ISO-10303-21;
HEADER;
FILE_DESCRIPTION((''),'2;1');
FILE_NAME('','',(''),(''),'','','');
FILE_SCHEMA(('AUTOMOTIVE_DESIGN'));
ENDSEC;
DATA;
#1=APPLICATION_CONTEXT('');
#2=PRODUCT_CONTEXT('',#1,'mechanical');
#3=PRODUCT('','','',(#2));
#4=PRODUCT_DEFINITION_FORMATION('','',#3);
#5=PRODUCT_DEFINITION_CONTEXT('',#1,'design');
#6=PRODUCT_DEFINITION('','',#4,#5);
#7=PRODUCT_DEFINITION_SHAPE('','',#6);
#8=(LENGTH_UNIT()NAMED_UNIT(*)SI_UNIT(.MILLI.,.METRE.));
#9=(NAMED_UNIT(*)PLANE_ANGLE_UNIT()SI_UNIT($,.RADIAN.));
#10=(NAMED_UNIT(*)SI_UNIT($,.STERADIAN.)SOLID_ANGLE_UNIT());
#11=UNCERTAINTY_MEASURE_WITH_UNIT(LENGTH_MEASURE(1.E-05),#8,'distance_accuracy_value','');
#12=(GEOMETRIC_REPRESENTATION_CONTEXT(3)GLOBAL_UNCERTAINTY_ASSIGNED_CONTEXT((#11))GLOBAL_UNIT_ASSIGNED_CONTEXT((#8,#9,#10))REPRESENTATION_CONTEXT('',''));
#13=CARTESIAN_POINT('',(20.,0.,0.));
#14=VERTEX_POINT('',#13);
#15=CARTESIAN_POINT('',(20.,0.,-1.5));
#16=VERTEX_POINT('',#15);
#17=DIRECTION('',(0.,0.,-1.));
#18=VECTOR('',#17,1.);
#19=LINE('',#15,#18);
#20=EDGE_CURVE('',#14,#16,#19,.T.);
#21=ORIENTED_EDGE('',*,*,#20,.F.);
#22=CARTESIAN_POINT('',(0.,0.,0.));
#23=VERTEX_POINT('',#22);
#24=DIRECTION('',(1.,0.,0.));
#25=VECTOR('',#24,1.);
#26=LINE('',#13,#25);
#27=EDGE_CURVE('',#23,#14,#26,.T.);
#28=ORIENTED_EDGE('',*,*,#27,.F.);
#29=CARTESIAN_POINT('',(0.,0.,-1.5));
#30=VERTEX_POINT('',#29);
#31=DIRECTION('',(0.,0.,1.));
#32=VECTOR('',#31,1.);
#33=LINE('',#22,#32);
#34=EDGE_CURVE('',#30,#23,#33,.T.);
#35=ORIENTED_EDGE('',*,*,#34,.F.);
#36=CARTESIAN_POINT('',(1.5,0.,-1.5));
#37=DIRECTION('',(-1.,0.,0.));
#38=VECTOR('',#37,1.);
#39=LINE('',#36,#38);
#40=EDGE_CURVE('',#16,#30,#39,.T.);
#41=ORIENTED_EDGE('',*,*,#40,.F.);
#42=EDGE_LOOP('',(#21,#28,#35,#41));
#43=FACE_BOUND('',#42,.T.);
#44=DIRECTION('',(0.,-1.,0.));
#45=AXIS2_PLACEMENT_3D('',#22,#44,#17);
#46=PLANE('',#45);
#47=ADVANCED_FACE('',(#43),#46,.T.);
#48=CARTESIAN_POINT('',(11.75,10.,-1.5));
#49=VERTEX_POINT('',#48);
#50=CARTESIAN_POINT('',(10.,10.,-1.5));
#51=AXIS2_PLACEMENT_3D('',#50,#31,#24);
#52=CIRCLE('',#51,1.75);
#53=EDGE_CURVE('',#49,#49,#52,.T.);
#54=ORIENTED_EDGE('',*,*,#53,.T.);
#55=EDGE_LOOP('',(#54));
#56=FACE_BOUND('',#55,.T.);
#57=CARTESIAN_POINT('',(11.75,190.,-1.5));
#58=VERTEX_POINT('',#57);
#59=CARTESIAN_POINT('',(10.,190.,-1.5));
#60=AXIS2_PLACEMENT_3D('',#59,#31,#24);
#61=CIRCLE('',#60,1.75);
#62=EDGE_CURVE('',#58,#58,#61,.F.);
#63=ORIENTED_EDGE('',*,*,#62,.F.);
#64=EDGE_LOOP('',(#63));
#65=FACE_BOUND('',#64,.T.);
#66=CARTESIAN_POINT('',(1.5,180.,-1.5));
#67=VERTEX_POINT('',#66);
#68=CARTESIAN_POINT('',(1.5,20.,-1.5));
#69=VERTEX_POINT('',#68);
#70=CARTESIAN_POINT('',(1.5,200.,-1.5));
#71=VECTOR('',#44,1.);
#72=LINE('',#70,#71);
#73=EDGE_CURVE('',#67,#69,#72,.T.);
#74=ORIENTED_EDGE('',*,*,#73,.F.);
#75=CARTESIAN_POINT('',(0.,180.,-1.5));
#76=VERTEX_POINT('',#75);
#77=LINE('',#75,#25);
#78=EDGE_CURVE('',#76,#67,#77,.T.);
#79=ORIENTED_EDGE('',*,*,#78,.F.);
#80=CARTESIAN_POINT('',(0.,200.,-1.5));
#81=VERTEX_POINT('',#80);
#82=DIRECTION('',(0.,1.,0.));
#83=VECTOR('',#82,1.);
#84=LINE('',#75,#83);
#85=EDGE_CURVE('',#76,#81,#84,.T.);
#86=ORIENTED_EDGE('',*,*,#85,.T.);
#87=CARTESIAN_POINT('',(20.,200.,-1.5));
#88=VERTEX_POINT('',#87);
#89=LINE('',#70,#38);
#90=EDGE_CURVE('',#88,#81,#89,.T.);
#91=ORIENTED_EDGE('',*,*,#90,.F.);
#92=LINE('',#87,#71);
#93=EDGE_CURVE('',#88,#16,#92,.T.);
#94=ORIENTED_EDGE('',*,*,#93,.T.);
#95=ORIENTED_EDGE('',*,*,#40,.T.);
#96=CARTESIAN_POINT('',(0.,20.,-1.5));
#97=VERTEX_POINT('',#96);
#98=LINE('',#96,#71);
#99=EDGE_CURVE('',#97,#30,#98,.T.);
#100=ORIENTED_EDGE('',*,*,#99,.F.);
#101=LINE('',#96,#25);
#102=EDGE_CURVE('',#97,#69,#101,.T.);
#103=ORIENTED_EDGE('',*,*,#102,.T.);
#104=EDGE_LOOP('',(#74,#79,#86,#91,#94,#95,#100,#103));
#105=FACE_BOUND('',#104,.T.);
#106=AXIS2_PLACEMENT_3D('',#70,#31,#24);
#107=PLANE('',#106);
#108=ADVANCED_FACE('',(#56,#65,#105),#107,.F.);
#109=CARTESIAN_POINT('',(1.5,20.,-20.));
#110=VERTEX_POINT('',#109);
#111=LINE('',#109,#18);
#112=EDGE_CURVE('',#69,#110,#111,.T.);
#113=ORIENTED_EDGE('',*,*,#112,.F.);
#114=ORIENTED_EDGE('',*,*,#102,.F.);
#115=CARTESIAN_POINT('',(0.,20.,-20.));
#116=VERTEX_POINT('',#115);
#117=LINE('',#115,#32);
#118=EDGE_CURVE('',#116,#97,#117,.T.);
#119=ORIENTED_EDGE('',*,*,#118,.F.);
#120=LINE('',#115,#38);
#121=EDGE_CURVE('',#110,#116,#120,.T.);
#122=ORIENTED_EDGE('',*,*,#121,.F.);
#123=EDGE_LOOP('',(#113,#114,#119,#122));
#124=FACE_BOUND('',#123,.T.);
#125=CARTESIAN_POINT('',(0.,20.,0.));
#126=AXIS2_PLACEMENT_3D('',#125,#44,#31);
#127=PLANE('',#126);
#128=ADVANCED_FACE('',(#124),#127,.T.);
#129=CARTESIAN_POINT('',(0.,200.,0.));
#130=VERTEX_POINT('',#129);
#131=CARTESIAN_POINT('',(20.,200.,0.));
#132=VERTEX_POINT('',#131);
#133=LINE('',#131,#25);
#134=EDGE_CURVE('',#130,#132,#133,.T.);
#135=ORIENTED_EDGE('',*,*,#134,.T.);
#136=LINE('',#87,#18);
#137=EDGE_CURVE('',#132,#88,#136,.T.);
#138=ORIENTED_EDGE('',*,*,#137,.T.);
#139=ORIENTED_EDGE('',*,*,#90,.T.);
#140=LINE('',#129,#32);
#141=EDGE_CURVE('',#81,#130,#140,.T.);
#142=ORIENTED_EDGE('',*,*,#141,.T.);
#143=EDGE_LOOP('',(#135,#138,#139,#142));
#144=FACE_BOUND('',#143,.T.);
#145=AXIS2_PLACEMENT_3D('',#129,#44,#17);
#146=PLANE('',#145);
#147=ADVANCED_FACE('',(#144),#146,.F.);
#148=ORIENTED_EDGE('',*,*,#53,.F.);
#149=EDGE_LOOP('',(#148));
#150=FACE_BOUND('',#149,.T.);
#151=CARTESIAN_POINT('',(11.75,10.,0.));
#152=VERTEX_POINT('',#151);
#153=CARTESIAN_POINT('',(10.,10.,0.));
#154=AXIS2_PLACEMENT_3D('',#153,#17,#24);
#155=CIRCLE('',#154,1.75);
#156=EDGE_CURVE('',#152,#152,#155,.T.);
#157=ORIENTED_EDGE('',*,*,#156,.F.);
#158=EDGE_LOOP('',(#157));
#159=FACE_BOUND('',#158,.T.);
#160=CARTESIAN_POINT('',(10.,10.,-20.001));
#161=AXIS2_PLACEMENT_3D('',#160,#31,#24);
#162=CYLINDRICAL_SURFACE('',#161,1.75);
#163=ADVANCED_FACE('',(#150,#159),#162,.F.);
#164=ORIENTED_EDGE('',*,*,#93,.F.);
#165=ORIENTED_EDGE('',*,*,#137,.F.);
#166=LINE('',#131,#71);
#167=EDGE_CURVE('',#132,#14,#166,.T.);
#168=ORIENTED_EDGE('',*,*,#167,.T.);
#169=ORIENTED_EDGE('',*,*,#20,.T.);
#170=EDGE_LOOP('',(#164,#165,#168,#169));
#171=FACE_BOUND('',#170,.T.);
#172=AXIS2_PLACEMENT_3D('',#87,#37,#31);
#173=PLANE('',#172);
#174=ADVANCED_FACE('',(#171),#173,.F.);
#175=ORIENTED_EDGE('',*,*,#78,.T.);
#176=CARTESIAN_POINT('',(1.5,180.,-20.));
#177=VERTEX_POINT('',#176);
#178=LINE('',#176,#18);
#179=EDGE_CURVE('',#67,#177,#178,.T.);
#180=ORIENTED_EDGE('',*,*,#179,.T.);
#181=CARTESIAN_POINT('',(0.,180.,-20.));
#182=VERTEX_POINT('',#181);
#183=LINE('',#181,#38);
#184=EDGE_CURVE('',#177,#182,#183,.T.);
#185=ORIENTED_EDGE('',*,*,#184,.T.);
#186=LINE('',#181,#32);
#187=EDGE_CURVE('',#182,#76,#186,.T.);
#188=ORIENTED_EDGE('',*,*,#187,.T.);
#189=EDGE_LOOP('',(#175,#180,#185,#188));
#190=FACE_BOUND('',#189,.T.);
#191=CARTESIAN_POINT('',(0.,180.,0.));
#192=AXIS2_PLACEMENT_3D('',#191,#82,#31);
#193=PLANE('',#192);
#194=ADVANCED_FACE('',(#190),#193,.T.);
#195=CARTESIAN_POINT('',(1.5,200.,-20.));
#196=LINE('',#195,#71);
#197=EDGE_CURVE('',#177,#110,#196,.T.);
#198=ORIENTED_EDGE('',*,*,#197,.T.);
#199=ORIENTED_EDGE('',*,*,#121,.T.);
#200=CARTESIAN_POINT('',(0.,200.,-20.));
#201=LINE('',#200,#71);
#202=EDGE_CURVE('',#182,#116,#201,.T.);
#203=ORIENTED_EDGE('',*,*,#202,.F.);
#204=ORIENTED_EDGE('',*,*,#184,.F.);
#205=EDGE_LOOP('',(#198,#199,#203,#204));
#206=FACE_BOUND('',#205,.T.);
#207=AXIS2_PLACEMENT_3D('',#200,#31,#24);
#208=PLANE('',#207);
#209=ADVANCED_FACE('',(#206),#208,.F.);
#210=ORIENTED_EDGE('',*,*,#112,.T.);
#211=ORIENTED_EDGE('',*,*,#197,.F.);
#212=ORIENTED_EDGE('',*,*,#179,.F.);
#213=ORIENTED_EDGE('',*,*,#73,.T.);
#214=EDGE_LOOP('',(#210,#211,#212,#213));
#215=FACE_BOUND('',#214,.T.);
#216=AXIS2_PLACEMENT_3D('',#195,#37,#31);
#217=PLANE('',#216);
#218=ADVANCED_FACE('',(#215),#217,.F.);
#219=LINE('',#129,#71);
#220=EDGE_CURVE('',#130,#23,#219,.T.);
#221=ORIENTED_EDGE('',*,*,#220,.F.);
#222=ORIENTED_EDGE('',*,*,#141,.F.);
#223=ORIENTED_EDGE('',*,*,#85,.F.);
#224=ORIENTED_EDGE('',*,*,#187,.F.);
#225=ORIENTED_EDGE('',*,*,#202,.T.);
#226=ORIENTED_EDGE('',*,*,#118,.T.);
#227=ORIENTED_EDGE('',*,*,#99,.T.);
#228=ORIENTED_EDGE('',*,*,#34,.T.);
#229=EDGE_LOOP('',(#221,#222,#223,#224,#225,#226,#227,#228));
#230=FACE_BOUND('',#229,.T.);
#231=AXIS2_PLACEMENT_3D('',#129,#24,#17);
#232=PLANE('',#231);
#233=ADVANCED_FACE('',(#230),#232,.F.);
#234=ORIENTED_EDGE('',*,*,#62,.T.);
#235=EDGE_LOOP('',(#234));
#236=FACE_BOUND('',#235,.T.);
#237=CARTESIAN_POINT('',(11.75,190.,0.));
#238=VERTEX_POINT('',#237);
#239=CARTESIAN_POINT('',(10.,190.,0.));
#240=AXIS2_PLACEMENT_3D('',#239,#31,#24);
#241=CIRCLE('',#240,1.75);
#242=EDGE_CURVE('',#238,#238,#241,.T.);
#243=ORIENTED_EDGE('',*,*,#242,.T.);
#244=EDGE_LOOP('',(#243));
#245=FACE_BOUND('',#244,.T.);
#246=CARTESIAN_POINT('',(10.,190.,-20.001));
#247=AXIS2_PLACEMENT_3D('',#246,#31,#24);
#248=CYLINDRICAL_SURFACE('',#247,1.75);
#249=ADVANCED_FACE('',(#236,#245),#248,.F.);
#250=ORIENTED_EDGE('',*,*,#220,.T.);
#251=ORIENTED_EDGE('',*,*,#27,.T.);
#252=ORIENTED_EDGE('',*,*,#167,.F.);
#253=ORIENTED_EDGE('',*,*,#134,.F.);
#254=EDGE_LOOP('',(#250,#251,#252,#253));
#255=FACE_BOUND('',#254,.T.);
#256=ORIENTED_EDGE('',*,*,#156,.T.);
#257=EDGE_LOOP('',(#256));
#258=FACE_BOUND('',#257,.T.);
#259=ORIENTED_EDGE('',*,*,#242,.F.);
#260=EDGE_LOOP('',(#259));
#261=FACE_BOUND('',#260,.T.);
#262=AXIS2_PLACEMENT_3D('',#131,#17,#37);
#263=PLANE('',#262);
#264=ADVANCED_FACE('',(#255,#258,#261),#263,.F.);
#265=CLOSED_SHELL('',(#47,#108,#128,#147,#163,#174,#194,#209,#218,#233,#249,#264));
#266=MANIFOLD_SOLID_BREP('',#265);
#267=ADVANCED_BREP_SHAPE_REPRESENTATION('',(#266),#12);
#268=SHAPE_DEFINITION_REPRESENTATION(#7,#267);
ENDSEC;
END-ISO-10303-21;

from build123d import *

# Parameters (mm, degrees)
EXTRUDE_1_DEPTH     = 200
SKETCH_2_W          = 1.5
SKETCH_2_H          = 18.5
CUT_EXTRUDE_1_DEPTH = 20
CUT_EXTRUDE_2_REACH = 203.99
SKETCH_3_R          = 1.75


with BuildPart() as part:
    # Эскиз1 → Бобышка-Вытянуть1 (new body)
    with BuildSketch(Plane(origin=(0, 0, 0), x_dir=(1, 0, 0), z_dir=(0, 1, 0))):
        Polygon((0, 0), (0, 20), (1.5, 20), (1.5, 1.5), (20, 1.5), (20, 0), align=None)
    extrude(amount=EXTRUDE_1_DEPTH)

    # Эскиз2 → Вырез-Вытянуть1 (cut)
    with BuildSketch(Plane(origin=(0, 200, 0), x_dir=(1, 0, 0), z_dir=(0, 1, 0))):
        with Locations((0.75, 10.75)):
            Rectangle(SKETCH_2_W, SKETCH_2_H)
    cut_extrude_1 = extrude(amount=-CUT_EXTRUDE_1_DEPTH, mode=Mode.SUBTRACT)

    # Эскиз3 → Вырез-Вытянуть2 (cut, up to next)
    with BuildSketch(Plane.XY, mode=Mode.PRIVATE) as cut_extrude_2_sk1:
        with Locations((10, 190)):
            Circle(SKETCH_3_R)
    cut_extrude_2_tool1 = extrude(cut_extrude_2_sk1.sketch, amount=-CUT_EXTRUDE_2_REACH, mode=Mode.PRIVATE) & part.part
    cut_extrude_2 = cut_extrude_2_tool1.solids().sort_by_distance((10, 190, 0))[0]
    add(cut_extrude_2, mode=Mode.SUBTRACT)

    # Зеркальное отражение1: Вырез-Вытянуть1, Вырез-Вытянуть2 across plane
    add(cut_extrude_1.mirror(Plane(origin=(0, 100, 0), x_dir=(0, 0, 1), z_dir=(0, -1, 0))), mode=Mode.SUBTRACT)
    add(cut_extrude_2.mirror(Plane(origin=(0, 100, 0), x_dir=(0, 0, 1), z_dir=(0, -1, 0))), mode=Mode.SUBTRACT)


solid = part.part
